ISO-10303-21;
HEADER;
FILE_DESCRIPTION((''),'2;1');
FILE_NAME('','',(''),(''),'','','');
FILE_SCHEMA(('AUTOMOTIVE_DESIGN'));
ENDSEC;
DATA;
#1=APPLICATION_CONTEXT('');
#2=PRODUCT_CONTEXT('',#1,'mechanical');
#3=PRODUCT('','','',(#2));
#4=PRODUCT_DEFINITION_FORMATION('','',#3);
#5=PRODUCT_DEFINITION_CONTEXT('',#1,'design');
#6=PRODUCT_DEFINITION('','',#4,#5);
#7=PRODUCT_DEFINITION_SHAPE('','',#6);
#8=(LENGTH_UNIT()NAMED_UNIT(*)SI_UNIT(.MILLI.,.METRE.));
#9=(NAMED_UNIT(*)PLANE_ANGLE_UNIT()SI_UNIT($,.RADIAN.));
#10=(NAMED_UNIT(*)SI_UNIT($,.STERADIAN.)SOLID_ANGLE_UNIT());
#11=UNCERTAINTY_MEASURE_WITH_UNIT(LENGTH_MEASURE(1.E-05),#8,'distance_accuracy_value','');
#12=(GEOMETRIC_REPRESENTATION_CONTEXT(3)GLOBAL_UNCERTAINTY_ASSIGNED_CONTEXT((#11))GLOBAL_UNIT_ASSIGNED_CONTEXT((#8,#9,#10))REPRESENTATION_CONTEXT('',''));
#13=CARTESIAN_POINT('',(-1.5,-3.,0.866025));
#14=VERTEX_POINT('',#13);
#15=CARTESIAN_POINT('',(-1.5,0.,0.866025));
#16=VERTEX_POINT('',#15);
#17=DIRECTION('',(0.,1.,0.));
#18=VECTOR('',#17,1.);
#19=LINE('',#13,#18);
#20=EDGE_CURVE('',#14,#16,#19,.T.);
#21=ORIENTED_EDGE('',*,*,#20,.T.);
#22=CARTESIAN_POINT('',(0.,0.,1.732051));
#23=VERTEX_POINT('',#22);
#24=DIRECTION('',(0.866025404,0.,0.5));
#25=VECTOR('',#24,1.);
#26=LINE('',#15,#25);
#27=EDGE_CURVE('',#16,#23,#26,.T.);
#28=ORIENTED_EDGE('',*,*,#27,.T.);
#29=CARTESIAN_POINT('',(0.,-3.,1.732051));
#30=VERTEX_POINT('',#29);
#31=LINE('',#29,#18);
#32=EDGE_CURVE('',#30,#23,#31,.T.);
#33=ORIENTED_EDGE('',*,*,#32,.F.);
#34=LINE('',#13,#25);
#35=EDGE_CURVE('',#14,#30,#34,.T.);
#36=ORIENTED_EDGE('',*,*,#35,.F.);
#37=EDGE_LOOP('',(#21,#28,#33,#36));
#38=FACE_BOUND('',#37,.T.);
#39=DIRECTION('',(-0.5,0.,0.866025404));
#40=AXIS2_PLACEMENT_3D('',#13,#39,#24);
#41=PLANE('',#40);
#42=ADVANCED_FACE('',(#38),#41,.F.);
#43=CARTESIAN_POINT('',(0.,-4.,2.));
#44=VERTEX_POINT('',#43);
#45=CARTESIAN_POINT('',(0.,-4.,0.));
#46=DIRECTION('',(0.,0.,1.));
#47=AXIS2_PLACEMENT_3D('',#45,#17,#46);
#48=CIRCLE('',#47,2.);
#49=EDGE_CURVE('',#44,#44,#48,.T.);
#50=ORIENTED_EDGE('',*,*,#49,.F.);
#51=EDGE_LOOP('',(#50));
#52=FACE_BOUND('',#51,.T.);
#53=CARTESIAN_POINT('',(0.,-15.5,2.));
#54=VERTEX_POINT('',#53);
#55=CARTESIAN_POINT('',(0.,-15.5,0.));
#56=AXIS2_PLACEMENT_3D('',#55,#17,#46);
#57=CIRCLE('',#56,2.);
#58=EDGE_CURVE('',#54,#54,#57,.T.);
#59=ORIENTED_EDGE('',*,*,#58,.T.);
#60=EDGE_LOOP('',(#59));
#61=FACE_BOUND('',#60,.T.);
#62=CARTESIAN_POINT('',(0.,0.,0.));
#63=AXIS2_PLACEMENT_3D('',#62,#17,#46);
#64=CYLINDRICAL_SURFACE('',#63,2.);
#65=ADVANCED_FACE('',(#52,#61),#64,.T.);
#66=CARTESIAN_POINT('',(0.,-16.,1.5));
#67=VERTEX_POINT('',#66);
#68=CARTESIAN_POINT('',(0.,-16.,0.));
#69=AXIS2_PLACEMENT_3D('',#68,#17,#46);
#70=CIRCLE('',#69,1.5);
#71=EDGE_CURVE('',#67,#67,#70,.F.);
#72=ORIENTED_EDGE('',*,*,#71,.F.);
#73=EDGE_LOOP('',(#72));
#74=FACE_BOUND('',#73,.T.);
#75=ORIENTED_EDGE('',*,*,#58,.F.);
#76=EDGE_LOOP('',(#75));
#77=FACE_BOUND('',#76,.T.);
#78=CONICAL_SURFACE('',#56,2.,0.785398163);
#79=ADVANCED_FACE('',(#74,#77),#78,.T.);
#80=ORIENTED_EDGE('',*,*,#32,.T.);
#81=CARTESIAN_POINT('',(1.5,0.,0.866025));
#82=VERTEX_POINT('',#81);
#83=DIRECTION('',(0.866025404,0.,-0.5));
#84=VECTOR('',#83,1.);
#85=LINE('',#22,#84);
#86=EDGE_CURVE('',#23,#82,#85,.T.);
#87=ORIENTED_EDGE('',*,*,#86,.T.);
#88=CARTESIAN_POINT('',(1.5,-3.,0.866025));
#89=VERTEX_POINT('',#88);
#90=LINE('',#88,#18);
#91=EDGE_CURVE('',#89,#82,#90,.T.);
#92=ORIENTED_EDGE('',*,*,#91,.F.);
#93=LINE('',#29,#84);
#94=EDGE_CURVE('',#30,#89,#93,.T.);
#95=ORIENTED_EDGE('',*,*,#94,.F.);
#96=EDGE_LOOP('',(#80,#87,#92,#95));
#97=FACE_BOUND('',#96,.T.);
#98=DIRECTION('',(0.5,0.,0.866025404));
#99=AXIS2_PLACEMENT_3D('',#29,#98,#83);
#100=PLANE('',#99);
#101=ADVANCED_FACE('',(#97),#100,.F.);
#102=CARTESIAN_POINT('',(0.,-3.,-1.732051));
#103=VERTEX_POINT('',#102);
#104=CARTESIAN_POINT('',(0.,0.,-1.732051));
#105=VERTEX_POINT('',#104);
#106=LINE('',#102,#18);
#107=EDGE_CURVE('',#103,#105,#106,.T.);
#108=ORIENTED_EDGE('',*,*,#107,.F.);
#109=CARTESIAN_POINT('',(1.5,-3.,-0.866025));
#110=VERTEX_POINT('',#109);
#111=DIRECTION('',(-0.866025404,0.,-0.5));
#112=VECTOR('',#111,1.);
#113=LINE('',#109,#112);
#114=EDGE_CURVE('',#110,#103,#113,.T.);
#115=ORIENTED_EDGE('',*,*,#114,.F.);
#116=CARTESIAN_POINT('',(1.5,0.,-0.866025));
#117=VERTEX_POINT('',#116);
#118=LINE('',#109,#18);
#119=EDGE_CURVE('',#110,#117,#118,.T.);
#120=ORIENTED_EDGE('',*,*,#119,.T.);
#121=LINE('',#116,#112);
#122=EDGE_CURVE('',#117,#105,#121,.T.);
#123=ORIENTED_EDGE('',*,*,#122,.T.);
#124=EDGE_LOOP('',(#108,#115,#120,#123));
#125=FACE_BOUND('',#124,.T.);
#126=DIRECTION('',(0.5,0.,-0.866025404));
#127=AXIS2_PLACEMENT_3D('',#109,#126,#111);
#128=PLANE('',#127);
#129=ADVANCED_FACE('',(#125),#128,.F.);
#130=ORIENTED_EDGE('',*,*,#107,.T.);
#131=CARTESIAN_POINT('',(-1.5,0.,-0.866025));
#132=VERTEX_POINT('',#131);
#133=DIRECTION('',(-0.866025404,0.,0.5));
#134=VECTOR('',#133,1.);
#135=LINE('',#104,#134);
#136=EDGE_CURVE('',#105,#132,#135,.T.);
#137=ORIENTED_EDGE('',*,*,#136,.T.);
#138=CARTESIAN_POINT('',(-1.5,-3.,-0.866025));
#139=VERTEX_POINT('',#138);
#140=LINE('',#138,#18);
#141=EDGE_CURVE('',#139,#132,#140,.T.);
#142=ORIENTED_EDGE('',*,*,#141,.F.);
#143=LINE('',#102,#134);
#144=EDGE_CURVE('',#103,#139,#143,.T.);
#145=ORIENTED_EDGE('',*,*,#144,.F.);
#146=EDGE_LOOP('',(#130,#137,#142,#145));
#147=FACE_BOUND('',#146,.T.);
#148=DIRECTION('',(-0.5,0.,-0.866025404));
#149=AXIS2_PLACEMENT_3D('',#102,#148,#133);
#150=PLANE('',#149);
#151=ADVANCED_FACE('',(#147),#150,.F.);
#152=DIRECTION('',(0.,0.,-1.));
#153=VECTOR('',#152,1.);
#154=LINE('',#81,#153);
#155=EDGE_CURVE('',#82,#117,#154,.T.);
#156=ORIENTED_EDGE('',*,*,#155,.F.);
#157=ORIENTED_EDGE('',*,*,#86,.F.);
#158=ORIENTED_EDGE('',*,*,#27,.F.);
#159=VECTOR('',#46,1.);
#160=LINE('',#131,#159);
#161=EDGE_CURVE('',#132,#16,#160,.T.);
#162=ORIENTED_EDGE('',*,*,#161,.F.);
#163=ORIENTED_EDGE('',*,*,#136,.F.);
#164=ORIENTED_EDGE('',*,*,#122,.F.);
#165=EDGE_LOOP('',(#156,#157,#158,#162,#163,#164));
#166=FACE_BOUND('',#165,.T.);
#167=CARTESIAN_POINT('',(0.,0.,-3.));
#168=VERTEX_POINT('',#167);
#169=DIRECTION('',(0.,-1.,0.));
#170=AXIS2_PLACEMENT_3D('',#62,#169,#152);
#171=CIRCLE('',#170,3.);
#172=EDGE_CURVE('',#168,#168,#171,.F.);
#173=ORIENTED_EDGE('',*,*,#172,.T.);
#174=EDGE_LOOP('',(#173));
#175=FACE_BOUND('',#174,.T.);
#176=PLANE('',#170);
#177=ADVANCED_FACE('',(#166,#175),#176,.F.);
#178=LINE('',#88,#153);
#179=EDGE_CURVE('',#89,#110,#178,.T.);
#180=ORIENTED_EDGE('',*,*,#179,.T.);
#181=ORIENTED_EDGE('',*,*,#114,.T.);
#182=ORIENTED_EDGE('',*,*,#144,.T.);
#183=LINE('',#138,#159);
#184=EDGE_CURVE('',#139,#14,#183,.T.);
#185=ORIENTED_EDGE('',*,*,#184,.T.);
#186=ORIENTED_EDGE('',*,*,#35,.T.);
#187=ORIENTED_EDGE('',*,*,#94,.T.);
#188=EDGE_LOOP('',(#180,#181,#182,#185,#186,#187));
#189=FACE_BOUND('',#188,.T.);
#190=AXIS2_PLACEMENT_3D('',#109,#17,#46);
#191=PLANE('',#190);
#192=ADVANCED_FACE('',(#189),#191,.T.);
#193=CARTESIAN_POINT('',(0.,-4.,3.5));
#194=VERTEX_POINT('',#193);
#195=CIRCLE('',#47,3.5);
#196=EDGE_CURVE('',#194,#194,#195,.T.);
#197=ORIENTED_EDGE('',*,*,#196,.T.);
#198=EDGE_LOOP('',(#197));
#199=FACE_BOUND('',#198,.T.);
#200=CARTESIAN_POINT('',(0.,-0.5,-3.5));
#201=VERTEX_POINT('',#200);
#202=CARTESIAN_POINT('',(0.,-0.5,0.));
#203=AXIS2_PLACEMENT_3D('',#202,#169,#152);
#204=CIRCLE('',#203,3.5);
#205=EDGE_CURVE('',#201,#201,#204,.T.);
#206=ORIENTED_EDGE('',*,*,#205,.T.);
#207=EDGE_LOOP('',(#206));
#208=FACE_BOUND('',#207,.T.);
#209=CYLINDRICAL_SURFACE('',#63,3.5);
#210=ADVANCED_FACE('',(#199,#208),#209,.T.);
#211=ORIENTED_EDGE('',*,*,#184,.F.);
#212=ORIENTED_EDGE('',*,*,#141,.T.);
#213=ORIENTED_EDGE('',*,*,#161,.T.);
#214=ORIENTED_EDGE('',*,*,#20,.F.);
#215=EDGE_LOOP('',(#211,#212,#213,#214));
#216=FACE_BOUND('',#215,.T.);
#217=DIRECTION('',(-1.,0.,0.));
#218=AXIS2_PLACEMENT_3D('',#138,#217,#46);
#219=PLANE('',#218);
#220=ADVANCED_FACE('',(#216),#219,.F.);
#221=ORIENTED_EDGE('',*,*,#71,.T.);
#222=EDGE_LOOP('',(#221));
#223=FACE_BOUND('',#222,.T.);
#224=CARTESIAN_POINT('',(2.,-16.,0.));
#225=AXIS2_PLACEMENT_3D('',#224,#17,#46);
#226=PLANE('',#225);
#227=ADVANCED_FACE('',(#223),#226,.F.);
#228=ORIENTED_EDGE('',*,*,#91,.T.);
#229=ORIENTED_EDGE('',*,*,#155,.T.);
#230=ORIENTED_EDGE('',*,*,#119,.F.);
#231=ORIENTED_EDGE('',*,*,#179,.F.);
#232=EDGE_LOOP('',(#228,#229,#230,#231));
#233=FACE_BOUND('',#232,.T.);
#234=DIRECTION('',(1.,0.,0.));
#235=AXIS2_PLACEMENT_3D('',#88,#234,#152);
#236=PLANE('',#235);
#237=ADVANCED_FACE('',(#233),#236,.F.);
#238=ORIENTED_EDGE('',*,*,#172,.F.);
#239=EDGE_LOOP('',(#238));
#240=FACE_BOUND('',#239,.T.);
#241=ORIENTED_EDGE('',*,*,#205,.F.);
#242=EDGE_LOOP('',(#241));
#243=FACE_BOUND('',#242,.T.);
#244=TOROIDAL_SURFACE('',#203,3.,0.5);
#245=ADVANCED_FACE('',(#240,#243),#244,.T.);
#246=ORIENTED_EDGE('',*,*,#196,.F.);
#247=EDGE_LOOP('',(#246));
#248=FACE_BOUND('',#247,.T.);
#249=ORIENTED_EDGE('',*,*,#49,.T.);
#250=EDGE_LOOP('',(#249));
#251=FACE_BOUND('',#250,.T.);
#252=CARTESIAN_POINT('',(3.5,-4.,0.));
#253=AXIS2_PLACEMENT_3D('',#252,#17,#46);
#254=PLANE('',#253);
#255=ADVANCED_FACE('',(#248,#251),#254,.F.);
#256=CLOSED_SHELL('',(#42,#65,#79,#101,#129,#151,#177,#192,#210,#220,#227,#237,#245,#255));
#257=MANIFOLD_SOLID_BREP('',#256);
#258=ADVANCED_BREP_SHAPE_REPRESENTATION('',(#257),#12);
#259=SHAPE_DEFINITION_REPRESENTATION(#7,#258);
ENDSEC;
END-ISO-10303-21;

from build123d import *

# Parameters (mm, degrees)
CORTAR_EXTRUIR1_DEPTH = 3
CHAFL_N1_SIZE         = 0.5
REDONDEO1_R           = 0.5


with BuildPart() as part:
    # Croquis1 → Revolución1 (revolve)
    with BuildSketch(Plane.XY):
        Polygon((0, 0), (3.5, 0), (3.5, -4), (2, -4), (2, -16), (0, -16), align=None)
    revolve(axis=Axis((0, 0, 0), (0, -1, 0)))

    # Croquis2 → Cortar-Extruir1 (cut)
    with BuildSketch(Plane(origin=(0, 0, 0), x_dir=(1, 0, 0), z_dir=(0, 1, 0))):
        Polygon((1.5, 0.866025404), (0, 1.732050808), (-1.5, 0.866025404), (-1.5, -0.866025404), (0, -1.732050808), (1.5, -0.866025404), align=None)
    extrude(amount=-CORTAR_EXTRUIR1_DEPTH, mode=Mode.SUBTRACT)

    # Chaflán1
    chafl_n1_edges = [part.edges().sort_by_distance(p)[0] for p in [
        (-2, -16, 0),
    ]]
    chamfer(chafl_n1_edges, length=CHAFL_N1_SIZE)

    # Redondeo1
    redondeo1_edges = [part.edges().sort_by_distance(p)[0] for p in [
        (-3.5, 0, 0),
    ]]
    fillet(redondeo1_edges, radius=REDONDEO1_R)


solid = part.part
